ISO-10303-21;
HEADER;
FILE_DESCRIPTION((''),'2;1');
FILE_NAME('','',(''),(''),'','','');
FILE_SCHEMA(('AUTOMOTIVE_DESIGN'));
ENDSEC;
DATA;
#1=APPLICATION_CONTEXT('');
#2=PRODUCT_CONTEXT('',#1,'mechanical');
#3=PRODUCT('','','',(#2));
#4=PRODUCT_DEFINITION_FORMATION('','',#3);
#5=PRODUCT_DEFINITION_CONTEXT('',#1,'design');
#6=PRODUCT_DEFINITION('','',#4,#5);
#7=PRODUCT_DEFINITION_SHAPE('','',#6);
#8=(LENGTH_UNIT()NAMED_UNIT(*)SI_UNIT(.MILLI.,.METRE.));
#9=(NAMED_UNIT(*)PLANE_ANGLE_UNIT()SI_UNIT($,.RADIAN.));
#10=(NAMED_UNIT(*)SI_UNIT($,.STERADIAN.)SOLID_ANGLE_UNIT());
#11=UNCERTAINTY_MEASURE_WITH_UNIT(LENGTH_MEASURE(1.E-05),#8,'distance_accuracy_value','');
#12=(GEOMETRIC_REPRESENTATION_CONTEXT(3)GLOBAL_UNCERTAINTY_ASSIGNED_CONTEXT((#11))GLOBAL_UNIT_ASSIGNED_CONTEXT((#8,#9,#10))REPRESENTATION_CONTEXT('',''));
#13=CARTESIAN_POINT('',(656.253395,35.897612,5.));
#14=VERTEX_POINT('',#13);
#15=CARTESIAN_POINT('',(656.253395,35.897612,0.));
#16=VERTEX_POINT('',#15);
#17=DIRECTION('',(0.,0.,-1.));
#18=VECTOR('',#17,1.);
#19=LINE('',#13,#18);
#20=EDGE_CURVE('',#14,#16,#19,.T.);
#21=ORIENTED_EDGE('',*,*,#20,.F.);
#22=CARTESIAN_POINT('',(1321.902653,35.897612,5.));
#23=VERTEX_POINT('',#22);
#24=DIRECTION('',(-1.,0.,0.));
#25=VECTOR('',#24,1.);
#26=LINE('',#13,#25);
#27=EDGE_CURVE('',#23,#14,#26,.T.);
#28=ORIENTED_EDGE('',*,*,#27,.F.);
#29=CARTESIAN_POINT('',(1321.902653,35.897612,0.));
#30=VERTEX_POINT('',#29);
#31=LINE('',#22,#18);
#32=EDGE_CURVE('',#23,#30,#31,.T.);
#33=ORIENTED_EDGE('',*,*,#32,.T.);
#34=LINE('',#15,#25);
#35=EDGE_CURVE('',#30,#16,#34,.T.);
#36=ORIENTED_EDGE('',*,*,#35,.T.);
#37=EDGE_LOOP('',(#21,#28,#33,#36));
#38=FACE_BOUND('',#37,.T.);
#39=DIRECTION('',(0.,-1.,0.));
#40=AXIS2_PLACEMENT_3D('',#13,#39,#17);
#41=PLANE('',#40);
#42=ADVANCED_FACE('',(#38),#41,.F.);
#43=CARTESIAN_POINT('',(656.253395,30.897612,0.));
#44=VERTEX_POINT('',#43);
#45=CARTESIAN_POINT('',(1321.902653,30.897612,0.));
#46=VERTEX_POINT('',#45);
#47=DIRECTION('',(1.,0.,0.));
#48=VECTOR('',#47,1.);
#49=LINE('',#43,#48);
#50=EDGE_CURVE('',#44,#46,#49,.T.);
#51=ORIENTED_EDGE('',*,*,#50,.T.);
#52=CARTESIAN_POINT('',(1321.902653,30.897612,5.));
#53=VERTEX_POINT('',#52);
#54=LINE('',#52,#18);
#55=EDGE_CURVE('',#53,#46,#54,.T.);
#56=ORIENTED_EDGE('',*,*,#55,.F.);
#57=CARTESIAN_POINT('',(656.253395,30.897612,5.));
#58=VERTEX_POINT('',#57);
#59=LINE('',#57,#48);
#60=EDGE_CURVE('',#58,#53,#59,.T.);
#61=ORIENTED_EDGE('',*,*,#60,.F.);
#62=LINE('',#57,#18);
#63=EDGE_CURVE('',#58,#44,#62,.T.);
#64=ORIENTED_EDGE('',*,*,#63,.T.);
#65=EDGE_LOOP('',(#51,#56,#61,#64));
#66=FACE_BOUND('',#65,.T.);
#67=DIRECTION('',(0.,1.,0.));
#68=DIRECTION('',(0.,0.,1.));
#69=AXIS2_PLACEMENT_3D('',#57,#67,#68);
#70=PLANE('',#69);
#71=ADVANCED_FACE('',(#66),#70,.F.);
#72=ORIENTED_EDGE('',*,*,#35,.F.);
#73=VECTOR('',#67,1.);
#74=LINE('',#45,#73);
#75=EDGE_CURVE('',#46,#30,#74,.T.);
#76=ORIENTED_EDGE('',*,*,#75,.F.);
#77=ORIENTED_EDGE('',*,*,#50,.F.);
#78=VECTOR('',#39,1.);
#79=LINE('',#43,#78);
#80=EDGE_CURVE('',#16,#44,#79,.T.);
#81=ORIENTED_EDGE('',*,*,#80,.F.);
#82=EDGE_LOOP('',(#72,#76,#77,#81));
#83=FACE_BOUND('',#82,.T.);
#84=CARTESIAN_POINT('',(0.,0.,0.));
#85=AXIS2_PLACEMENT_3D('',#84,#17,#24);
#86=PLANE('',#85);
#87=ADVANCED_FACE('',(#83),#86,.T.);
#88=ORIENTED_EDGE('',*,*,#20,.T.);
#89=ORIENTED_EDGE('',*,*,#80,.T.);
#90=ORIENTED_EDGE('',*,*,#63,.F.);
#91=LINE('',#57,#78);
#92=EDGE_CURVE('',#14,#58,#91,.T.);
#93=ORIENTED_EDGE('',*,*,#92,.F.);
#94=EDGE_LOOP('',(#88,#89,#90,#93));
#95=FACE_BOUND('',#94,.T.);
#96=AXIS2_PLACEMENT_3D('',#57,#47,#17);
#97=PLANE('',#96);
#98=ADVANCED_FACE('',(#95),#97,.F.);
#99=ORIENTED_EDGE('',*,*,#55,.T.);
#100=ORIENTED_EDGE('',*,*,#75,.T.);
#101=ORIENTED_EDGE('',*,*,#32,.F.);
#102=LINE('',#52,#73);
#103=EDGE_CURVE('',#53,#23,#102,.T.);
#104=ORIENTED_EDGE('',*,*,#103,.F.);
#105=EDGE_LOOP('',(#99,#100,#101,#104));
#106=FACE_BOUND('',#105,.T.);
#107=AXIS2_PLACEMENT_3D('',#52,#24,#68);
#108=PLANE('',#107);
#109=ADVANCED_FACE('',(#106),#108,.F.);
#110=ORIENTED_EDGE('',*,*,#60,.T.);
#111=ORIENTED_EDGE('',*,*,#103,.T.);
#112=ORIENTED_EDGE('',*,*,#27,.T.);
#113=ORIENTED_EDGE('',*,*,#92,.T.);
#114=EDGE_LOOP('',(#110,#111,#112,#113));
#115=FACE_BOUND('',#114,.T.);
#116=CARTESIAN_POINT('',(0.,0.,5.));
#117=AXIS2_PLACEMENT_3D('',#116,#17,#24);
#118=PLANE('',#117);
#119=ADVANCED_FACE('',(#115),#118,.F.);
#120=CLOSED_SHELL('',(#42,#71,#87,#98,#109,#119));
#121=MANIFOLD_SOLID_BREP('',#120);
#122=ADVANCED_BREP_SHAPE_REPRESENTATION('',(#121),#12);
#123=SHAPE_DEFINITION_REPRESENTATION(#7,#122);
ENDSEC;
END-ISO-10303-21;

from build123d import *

# Parameters (mm, degrees)
MODEL_W         = 665.649258372
MODEL_H         = 5
EXTRUDE_1_DEPTH = 5


with BuildPart() as part:
    # Model → 凸台-拉伸1 (new body)
    with BuildSketch(Plane.XY):
        with Locations((989.078023935, 33.397612459)):
            Rectangle(MODEL_W, MODEL_H)
    extrude(amount=EXTRUDE_1_DEPTH)


solid = part.part
